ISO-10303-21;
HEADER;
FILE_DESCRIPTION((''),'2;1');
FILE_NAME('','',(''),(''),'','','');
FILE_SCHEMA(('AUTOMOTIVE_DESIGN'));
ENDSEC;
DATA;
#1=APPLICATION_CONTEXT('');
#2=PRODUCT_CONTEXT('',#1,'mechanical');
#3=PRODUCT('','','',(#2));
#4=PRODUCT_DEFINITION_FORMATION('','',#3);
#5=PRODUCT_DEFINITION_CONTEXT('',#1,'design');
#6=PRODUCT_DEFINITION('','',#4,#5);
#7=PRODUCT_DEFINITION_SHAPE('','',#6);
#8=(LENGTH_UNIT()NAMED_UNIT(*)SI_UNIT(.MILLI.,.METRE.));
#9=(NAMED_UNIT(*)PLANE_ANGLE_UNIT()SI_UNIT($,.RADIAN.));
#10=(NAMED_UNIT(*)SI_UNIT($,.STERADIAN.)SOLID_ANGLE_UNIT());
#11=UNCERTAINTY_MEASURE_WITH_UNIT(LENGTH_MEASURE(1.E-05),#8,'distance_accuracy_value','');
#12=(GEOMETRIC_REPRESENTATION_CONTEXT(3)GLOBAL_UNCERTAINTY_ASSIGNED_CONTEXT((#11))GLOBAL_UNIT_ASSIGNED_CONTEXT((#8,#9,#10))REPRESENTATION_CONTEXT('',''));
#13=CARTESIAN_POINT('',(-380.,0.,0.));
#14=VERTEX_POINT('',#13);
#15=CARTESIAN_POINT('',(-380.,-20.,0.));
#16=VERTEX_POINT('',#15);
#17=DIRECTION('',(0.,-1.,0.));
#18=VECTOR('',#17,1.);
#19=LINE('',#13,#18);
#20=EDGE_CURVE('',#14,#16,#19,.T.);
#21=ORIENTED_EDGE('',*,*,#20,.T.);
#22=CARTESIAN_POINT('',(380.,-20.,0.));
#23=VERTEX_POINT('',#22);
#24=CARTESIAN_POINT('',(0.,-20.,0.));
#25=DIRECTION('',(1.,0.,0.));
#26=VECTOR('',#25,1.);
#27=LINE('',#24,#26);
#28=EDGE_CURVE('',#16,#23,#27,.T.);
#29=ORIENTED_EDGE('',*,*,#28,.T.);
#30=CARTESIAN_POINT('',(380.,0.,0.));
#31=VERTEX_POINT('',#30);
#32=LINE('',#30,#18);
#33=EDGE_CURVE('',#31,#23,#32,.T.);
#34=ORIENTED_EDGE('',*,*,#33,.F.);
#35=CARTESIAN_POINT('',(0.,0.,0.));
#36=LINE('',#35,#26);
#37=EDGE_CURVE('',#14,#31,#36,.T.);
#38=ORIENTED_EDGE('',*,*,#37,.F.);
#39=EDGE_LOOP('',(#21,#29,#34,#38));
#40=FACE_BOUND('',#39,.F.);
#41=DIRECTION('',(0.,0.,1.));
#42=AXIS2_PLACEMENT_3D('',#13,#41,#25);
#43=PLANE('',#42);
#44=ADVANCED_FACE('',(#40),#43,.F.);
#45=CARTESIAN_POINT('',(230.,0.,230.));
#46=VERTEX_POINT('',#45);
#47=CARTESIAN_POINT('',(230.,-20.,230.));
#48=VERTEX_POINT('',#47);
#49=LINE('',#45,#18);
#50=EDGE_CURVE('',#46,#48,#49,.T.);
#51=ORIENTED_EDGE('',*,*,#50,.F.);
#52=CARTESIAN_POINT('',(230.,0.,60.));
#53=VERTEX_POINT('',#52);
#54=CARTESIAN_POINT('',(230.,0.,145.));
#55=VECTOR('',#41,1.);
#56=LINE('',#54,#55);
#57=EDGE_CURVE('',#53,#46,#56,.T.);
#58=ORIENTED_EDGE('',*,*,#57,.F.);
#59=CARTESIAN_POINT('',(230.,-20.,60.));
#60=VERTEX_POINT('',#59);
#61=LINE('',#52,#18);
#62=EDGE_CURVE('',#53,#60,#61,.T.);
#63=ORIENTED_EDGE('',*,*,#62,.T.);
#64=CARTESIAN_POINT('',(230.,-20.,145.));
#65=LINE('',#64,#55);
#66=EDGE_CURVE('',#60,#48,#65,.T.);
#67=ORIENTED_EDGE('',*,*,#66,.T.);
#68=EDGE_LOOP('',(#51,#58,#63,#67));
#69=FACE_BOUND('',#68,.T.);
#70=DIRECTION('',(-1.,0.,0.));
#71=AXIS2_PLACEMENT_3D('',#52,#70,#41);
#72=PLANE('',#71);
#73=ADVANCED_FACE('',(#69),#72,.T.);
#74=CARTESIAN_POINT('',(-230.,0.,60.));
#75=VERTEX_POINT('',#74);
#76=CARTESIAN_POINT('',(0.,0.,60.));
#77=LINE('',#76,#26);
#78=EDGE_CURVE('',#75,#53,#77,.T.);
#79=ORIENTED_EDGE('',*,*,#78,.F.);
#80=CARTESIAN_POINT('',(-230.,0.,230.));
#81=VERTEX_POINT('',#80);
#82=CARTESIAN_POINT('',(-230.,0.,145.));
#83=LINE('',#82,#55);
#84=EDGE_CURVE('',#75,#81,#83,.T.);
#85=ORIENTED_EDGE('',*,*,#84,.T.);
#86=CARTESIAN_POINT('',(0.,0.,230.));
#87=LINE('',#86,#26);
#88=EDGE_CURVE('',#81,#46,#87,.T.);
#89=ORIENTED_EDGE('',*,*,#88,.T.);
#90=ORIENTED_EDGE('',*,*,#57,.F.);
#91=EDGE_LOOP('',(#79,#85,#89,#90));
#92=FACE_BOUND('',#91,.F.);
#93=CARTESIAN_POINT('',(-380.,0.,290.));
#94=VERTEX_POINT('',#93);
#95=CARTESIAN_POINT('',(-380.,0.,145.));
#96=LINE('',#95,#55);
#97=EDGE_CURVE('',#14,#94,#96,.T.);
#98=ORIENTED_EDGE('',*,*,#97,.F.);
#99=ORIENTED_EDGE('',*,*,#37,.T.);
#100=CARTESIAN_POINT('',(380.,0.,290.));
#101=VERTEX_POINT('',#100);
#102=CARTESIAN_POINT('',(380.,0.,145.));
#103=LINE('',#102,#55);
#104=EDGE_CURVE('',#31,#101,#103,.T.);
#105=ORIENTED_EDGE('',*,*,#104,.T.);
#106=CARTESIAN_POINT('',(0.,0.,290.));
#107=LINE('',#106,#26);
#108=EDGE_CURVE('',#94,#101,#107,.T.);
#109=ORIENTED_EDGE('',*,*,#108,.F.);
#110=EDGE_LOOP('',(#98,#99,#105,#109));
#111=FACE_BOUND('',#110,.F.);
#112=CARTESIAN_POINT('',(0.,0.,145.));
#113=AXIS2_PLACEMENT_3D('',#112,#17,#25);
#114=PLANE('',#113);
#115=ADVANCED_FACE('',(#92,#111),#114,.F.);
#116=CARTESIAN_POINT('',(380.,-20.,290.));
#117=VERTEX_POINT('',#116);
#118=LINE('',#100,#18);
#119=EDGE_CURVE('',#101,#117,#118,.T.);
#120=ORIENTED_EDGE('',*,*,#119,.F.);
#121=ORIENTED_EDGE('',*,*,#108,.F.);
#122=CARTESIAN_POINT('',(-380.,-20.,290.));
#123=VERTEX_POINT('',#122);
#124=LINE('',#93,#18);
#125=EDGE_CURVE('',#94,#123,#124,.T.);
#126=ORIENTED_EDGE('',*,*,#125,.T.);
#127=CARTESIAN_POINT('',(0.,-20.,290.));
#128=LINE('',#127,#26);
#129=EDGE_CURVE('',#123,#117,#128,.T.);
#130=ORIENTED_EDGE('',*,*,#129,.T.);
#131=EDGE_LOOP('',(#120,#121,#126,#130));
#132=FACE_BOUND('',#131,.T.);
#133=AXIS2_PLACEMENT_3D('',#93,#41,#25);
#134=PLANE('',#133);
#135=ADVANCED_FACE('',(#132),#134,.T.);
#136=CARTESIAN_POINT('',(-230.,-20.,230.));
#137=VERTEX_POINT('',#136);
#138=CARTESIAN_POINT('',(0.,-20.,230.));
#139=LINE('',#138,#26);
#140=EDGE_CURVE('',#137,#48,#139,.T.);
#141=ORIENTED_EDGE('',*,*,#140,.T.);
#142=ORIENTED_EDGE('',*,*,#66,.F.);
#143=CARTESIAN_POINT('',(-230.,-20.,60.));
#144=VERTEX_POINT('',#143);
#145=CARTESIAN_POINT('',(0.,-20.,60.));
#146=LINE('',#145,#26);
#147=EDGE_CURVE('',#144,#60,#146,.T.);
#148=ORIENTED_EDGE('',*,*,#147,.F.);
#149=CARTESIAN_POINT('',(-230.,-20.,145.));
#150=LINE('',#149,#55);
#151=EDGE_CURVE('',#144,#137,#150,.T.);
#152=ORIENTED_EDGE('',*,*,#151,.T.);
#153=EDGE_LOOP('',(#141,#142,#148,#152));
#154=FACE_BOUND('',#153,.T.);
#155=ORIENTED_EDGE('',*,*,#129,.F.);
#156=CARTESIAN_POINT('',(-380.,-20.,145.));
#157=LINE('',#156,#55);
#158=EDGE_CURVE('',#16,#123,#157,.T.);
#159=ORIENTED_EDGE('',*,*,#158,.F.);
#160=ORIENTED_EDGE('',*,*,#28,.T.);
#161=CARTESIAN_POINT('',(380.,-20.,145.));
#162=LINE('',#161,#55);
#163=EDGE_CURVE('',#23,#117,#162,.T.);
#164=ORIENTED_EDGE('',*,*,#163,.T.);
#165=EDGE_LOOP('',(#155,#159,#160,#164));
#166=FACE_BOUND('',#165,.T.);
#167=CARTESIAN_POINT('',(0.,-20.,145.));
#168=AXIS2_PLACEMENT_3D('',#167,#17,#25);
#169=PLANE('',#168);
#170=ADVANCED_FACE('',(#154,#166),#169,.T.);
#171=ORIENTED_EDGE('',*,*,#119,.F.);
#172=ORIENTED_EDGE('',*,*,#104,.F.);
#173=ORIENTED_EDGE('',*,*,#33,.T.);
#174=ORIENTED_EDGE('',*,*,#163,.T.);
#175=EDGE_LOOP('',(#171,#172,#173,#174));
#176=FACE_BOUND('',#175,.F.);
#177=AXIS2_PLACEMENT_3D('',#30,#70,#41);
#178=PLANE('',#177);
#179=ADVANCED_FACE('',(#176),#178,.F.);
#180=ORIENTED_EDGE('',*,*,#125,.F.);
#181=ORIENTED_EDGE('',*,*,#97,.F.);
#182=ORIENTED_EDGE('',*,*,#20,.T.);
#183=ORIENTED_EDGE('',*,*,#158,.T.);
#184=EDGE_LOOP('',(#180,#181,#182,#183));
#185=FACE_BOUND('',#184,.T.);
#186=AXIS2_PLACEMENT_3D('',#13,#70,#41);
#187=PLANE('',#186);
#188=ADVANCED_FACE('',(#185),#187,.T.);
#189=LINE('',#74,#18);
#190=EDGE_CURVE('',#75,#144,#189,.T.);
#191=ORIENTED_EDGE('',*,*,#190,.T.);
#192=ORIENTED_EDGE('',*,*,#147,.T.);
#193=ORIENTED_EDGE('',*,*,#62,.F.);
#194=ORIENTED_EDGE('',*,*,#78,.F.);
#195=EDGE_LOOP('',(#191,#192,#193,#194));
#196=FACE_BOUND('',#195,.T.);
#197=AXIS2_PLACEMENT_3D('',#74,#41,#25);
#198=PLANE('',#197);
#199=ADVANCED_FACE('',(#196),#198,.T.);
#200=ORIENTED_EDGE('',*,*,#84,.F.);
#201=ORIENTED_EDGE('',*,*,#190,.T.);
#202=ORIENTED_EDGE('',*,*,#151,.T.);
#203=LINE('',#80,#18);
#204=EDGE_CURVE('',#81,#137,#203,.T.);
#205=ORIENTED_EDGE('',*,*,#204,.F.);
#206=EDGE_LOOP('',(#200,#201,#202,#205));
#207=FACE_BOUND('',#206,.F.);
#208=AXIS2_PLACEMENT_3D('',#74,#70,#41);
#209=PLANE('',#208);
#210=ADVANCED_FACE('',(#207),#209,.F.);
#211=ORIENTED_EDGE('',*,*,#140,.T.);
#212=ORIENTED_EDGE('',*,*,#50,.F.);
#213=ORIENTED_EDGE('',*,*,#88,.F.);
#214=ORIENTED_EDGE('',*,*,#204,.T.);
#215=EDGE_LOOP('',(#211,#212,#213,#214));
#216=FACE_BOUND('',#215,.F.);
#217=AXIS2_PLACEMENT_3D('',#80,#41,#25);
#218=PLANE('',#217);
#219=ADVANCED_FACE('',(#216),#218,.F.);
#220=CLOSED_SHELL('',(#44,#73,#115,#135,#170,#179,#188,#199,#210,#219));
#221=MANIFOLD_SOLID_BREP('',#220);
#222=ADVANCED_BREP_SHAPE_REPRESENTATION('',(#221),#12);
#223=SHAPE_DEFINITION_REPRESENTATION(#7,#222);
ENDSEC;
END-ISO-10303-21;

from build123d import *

# Parameters (mm, degrees)
SKETCH_W   = 760
SKETCH_H   = 290
SKETCH_W_2 = 460
SKETCH_H_2 = 170
PAD_DEPTH  = 20


with BuildPart() as part:
    # Sketch → Pad (new body)
    with BuildSketch(Plane.XZ):
        with Locations((0, 145)):
            Rectangle(SKETCH_W, SKETCH_H)
        with Locations((0, 145)):
            Rectangle(SKETCH_W_2, SKETCH_H_2, mode=Mode.SUBTRACT)
    extrude(amount=PAD_DEPTH)


solid = part.part
